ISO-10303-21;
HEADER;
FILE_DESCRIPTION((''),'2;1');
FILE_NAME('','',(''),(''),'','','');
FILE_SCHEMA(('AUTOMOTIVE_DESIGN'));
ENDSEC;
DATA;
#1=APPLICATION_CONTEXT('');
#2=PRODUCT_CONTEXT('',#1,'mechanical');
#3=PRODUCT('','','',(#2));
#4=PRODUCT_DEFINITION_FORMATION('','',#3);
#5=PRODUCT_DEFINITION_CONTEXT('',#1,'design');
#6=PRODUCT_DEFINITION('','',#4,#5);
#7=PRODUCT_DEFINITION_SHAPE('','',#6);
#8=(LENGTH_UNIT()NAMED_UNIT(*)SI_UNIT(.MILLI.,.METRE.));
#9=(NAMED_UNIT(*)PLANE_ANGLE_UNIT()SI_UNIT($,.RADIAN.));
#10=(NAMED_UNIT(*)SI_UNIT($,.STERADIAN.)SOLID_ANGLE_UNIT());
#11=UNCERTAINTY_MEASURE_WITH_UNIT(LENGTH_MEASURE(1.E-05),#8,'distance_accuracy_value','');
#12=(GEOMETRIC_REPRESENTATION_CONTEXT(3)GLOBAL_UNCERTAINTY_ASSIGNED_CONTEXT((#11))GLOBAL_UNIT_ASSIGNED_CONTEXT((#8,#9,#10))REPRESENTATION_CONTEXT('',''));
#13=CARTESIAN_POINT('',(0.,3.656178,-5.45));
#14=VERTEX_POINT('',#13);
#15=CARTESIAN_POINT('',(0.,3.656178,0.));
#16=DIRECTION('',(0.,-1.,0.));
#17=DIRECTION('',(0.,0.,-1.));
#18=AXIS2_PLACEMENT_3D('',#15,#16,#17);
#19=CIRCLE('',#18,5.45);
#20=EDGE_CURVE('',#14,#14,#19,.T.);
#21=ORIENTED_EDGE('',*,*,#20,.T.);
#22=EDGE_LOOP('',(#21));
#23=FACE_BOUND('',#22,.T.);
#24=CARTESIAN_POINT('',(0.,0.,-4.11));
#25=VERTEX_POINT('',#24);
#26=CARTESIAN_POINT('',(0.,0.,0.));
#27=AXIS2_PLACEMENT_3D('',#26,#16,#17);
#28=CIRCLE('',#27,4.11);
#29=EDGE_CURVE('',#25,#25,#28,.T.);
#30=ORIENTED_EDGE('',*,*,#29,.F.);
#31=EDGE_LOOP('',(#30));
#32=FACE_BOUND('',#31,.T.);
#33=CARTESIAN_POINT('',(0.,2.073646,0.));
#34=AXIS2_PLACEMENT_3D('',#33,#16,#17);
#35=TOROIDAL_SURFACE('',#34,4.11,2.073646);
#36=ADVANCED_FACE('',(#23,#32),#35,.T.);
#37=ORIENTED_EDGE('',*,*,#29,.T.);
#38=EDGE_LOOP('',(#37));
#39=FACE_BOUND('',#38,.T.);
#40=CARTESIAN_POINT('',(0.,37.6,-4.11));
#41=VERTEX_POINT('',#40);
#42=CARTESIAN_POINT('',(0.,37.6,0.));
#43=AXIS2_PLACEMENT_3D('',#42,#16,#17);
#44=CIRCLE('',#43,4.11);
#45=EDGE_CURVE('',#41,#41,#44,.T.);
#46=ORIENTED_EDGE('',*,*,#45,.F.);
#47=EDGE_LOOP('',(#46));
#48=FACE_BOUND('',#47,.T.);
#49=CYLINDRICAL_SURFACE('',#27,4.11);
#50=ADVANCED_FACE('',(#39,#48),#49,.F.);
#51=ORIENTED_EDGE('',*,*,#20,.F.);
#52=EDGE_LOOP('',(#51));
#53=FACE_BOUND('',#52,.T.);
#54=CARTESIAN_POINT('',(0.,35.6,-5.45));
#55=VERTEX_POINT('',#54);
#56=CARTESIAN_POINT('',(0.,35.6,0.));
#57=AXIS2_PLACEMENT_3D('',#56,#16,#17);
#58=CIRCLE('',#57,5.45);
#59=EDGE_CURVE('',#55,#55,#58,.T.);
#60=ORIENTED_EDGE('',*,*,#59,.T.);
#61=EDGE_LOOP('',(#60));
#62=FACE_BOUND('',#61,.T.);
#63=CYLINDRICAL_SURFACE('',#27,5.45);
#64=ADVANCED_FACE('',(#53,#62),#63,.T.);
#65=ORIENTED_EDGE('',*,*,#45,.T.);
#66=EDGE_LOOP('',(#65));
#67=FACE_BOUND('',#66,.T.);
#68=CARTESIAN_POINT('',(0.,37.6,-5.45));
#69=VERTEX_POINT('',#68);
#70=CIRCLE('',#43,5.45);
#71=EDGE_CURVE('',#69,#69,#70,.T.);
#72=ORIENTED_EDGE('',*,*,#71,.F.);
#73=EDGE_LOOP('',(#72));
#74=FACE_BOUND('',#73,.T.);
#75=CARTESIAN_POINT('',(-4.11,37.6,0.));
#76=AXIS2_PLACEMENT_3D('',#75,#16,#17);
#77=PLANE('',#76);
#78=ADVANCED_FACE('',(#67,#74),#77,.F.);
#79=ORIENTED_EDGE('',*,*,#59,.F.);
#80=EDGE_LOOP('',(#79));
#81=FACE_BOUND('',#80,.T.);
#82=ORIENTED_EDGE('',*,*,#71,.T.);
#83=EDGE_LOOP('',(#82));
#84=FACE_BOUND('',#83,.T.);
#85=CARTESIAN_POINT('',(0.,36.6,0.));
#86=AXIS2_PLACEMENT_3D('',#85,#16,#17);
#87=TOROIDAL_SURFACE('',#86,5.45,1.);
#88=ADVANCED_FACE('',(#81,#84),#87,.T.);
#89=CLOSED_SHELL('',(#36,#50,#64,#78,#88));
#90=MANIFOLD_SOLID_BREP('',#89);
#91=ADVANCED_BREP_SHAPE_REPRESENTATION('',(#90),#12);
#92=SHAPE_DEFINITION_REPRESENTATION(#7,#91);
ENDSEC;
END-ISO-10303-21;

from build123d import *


with BuildPart() as part:
    # Sketch1 → Revolve1 (revolve)
    with BuildSketch(Plane.XY):
        with BuildLine():
            Line((-4.11, 37.6), (-4.11, 0))
            ThreePointArc((-4.11, 0), (-6.05699996, 1.360064568), (-5.45, 3.656177701))
            Line((-5.45, 3.656177701), (-5.45, 35.6))
            ThreePointArc((-5.45, 35.6), (-6.45, 36.6), (-5.45, 37.6))
            Line((-5.45, 37.6), (-4.11, 37.6))
        make_face()
    revolve(axis=Axis((0, 0, 0), (0, 1, 0)))


solid = part.part
